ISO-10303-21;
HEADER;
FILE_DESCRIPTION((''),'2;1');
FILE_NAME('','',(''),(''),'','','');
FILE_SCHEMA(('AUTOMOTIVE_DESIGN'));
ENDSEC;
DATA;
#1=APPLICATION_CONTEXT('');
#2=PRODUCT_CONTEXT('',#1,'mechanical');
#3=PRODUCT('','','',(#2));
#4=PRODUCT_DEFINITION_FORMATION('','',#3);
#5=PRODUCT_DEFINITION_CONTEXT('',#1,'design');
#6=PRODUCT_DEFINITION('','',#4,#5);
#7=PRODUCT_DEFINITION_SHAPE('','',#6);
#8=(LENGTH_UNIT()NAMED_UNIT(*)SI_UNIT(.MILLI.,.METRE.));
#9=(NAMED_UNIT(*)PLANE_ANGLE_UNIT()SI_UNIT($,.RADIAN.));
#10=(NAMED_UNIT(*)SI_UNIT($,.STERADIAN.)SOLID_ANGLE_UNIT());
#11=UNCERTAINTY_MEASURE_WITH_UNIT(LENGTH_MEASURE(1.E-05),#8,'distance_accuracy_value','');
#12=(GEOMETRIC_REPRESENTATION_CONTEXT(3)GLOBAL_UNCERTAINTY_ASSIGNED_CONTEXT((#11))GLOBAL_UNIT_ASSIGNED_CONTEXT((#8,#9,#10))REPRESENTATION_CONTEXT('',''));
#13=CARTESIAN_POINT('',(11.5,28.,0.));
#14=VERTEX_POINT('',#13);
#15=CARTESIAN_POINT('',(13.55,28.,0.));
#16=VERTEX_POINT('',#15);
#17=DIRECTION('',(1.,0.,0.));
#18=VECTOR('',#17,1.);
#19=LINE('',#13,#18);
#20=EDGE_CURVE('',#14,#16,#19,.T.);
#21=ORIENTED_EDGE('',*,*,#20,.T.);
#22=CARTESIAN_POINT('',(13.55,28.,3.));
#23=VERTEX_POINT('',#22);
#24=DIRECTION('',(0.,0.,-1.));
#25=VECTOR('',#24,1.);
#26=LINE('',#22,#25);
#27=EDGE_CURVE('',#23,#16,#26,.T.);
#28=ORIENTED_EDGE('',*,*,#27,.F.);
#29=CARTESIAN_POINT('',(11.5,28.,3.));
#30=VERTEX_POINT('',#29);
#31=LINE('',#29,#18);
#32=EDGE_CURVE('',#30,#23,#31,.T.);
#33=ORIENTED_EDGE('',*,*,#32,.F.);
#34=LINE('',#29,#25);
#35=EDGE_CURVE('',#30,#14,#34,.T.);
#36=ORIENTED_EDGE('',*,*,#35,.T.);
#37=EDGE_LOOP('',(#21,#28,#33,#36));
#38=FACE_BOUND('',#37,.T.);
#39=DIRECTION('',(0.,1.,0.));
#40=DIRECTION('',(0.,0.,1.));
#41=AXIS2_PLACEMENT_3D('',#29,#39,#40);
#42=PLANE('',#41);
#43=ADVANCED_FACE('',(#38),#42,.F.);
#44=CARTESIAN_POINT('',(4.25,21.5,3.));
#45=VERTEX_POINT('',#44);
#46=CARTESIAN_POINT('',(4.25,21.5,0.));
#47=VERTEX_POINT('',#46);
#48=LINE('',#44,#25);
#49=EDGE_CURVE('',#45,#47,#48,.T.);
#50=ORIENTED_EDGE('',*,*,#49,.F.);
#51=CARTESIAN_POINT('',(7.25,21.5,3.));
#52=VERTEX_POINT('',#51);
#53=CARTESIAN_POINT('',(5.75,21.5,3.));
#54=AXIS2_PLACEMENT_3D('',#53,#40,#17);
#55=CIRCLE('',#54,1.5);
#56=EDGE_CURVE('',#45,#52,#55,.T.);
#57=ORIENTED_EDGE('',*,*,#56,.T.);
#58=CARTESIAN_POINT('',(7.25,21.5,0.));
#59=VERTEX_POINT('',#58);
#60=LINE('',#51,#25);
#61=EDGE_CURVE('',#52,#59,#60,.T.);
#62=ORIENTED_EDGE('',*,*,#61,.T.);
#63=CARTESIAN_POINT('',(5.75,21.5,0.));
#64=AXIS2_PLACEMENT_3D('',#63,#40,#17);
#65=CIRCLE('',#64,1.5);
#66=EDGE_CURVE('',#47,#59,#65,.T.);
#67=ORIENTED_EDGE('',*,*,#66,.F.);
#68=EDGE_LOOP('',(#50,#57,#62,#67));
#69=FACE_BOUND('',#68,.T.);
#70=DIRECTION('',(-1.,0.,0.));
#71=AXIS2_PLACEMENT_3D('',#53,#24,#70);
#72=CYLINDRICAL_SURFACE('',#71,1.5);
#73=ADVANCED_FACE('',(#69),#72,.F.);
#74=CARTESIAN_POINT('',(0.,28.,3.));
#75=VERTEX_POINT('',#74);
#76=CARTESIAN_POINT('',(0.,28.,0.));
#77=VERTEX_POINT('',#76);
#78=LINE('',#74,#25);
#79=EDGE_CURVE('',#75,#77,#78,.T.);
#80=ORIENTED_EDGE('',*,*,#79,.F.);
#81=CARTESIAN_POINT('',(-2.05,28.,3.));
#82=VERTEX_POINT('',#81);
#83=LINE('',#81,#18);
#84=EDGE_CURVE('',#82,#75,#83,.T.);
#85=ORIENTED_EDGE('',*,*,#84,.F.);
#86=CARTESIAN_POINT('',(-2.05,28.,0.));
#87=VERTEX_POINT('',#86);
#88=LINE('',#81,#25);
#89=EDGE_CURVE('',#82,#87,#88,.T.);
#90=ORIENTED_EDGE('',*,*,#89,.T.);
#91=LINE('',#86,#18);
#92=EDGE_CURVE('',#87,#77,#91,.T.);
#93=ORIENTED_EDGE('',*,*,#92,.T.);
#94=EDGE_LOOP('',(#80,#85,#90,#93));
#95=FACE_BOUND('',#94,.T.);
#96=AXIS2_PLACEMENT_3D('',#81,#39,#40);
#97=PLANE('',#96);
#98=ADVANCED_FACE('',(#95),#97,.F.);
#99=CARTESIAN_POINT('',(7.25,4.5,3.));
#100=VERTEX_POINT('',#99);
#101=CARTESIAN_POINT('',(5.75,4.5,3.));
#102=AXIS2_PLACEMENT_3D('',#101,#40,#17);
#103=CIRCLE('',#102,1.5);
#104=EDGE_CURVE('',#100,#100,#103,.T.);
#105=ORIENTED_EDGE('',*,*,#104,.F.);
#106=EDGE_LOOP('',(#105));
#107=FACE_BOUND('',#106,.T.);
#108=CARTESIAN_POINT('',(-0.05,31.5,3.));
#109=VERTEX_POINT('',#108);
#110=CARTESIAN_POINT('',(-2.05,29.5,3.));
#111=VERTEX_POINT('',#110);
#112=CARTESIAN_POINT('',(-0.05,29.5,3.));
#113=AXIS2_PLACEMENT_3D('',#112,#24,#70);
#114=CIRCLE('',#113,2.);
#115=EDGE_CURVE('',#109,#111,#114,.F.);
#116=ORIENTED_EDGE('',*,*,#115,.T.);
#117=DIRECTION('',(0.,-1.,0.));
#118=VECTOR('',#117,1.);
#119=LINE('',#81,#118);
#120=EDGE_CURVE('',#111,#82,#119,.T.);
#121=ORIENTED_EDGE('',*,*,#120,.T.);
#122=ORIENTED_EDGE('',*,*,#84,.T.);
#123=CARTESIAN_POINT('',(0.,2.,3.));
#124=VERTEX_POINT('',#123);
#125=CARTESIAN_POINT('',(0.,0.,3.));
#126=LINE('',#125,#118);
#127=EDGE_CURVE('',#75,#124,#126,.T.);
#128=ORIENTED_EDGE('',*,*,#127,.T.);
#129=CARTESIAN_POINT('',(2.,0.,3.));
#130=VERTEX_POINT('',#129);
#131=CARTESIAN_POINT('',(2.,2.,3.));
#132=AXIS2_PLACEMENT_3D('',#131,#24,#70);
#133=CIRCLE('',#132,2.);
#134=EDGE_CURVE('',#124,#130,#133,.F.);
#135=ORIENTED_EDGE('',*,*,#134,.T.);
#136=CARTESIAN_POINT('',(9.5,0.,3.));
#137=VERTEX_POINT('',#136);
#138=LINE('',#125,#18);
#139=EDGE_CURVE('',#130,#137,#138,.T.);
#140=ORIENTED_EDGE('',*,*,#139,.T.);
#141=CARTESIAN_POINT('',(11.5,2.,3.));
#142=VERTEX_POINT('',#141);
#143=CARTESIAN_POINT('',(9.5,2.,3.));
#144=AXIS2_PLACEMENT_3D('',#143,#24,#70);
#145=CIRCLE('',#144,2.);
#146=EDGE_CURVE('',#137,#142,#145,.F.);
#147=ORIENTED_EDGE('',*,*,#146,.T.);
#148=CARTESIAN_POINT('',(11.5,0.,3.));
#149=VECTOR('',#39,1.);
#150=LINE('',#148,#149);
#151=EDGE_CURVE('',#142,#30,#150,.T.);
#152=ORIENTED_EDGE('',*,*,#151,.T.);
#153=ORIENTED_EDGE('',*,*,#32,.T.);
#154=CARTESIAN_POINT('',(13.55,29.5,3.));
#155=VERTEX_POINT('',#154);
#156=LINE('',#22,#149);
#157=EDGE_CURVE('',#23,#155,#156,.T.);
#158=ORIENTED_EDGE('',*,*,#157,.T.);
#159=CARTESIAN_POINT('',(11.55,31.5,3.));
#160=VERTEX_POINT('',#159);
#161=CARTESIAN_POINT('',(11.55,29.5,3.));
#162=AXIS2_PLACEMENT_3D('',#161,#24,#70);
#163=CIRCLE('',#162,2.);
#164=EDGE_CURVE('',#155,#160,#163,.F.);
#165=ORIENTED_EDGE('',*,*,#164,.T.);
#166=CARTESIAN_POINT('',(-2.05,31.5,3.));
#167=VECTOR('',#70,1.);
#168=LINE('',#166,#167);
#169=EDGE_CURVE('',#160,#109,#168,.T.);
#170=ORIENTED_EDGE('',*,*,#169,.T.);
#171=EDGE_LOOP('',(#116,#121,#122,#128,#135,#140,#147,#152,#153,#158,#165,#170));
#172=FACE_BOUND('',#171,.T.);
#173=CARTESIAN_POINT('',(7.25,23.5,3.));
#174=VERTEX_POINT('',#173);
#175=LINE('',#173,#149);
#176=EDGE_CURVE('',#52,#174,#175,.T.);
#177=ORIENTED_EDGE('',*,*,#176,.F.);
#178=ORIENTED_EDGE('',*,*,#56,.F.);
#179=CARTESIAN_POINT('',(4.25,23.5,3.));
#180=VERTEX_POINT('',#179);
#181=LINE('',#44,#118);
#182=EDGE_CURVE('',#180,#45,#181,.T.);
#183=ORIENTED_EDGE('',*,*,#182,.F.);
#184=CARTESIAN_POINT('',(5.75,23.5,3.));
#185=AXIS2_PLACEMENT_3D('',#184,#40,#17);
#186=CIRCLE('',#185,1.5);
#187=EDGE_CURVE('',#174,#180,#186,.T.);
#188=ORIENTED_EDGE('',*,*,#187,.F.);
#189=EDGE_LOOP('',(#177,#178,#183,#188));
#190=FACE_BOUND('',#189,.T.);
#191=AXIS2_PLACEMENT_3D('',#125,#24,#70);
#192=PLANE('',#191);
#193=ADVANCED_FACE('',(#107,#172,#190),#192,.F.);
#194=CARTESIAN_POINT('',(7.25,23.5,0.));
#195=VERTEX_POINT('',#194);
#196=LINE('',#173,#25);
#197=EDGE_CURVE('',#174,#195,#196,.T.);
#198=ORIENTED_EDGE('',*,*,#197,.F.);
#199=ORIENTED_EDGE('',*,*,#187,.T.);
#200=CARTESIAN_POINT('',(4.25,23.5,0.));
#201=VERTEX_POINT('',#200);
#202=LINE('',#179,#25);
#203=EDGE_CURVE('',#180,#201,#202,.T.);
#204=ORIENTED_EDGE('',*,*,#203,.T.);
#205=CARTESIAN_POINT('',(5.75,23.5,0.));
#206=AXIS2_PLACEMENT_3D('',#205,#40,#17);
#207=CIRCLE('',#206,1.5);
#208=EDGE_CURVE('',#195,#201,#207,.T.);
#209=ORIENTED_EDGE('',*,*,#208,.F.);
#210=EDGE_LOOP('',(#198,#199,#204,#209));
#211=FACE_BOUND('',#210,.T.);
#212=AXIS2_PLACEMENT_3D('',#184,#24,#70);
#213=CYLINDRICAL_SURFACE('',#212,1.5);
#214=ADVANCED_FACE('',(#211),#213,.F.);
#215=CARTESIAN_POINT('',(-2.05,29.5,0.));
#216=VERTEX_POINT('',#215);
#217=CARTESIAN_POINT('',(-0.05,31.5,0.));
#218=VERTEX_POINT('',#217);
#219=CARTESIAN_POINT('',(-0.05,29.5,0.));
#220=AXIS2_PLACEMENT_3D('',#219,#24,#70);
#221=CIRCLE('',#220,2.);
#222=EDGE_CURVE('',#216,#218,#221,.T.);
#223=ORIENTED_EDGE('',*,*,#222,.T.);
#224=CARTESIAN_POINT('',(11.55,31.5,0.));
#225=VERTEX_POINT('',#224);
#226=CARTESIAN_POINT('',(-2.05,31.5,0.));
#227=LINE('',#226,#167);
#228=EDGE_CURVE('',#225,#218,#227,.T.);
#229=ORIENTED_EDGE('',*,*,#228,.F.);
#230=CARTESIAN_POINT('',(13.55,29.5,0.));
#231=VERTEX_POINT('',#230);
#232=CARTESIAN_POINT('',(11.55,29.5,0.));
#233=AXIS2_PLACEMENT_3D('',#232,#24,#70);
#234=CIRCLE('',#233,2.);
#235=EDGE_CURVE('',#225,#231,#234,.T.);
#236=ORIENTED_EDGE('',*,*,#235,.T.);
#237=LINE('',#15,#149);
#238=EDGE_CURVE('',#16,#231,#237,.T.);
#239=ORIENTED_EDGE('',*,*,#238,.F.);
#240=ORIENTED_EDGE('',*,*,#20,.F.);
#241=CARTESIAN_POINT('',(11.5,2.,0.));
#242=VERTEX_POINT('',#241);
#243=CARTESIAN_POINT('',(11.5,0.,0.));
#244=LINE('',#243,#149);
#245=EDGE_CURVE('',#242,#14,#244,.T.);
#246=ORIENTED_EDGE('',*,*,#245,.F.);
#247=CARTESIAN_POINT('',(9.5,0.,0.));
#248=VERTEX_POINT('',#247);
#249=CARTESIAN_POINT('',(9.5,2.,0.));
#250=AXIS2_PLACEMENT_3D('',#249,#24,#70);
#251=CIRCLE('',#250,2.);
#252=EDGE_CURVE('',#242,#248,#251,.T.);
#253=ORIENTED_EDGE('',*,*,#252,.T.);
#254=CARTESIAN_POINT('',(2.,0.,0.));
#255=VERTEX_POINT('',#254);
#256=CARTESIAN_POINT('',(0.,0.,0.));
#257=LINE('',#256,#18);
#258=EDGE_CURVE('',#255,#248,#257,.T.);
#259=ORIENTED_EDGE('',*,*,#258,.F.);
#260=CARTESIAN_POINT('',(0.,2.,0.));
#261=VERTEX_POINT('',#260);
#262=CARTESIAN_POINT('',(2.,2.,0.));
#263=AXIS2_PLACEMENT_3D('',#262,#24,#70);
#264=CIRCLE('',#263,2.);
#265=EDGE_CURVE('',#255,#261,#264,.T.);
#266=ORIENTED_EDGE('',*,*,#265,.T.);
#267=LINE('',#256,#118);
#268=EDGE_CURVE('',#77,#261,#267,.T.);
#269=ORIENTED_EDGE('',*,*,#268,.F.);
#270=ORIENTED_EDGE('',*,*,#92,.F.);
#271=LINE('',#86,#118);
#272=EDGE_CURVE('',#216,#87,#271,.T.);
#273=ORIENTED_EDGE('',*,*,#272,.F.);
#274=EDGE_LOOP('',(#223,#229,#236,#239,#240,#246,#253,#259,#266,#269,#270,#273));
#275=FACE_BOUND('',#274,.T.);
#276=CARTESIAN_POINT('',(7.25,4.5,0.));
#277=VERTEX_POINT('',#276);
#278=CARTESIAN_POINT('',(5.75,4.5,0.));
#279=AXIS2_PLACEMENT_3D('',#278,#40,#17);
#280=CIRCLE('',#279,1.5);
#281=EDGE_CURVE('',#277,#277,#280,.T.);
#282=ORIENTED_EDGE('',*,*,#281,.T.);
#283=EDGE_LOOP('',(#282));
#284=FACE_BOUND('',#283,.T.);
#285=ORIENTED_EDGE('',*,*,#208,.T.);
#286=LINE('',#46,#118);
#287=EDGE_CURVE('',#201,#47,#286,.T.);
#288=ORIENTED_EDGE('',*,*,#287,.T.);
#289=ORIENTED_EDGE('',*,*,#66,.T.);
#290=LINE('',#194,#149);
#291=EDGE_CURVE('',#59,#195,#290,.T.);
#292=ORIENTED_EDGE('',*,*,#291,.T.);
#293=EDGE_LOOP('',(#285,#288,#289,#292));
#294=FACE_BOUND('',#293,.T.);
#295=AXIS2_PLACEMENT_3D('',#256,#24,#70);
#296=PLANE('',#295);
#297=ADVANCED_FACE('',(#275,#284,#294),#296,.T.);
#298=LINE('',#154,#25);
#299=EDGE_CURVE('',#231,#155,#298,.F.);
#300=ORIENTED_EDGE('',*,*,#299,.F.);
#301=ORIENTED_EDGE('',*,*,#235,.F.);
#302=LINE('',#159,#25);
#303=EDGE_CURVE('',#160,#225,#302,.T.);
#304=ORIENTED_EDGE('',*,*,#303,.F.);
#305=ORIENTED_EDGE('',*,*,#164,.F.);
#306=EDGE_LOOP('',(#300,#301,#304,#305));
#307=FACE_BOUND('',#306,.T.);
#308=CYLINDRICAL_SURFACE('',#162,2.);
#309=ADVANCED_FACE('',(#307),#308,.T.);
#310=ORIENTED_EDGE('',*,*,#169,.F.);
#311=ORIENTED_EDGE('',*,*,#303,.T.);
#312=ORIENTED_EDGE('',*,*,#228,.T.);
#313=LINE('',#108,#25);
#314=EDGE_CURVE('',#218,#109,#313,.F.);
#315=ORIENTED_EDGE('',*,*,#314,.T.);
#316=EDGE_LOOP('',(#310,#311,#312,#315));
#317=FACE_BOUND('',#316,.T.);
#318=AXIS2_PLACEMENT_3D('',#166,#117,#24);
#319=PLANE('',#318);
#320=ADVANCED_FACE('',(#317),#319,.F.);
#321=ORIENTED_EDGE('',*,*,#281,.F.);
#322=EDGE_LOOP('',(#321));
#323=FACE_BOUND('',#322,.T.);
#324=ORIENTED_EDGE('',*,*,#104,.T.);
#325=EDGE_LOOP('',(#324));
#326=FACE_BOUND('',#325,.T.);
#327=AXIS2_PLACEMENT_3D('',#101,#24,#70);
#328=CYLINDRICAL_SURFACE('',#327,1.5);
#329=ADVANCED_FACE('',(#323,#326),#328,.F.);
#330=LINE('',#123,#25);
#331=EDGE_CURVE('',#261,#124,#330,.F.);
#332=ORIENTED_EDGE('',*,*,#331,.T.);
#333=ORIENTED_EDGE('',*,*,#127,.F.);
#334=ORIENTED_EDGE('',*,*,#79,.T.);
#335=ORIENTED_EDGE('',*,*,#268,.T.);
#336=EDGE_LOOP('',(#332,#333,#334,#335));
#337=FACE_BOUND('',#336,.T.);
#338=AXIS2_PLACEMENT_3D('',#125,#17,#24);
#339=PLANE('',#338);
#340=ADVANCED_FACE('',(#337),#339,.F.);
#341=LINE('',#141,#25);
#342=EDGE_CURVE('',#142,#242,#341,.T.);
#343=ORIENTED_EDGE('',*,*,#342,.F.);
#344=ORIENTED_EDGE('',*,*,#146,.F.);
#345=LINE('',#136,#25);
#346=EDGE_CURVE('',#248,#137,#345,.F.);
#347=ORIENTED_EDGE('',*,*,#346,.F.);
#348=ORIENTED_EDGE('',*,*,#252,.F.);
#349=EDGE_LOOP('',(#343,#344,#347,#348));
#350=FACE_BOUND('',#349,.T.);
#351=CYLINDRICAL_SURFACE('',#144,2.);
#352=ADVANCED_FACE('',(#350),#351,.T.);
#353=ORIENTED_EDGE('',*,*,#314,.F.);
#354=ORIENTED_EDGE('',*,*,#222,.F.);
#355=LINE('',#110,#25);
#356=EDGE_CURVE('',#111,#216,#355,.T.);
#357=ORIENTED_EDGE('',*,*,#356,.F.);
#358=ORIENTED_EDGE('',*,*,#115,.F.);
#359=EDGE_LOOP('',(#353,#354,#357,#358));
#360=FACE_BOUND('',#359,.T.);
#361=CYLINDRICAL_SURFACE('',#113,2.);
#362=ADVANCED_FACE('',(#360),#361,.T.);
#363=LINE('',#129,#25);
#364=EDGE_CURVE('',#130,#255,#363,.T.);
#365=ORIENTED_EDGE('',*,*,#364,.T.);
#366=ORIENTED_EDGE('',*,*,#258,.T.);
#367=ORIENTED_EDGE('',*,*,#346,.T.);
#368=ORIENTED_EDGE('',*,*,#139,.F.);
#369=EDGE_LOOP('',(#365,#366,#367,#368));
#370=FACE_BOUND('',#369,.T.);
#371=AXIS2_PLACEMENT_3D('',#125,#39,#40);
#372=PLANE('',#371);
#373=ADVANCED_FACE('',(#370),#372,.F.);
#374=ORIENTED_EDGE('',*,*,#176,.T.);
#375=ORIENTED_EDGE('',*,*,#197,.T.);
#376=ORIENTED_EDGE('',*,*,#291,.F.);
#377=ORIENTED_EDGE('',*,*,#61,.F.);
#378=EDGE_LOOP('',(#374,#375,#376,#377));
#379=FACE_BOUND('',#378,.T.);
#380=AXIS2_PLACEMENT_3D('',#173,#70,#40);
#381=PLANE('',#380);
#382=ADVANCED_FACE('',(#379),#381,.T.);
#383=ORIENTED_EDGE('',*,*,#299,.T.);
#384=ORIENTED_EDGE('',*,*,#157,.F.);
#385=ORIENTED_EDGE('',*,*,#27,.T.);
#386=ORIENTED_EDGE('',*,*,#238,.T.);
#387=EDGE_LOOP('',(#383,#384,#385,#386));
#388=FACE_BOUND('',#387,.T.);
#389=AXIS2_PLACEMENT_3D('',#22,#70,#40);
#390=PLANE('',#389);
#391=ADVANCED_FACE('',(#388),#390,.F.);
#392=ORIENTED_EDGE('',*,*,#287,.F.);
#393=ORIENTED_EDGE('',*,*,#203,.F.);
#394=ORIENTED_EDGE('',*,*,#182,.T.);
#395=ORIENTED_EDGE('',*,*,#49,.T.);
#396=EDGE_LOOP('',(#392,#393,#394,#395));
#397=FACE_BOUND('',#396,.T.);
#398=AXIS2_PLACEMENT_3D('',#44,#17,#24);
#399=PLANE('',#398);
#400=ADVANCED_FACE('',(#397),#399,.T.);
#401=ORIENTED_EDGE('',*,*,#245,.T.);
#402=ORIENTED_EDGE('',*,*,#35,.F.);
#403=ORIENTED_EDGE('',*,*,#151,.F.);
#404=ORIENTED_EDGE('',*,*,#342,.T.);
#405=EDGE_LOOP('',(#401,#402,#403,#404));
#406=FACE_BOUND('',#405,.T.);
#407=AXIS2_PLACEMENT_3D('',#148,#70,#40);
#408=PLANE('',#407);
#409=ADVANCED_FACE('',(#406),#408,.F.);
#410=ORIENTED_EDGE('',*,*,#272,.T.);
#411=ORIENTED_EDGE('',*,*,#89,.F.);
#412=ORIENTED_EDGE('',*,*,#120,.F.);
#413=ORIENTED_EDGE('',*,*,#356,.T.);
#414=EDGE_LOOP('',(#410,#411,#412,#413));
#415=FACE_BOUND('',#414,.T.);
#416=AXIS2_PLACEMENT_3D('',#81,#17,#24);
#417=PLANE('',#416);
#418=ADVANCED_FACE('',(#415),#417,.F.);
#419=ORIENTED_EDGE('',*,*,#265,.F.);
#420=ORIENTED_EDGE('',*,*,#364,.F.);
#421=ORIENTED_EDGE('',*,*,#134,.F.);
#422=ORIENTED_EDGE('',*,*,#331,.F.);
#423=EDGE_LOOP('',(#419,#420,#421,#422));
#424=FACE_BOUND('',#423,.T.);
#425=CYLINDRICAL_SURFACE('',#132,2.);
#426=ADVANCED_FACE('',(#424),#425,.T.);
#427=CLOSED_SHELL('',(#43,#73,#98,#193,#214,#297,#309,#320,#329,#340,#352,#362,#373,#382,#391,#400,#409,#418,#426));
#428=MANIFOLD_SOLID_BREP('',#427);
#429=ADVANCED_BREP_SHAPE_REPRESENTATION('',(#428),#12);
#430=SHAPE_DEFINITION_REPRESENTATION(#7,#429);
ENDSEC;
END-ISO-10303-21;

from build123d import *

# Parameters (mm, degrees)
ESBO_O1_R                = 1.5
RESSALTO_EXTRUS_O1_DEPTH = 3
FILETE1_R                = 2
FILETE2_R                = 2


with BuildPart() as part:
    # Esboço1 → Ressalto-extrusão1 (new body)
    with BuildSketch(Plane.XY):
        Polygon((11.5, 28), (13.55, 28), (13.55, 31.5), (-2.05, 31.5), (-2.05, 28), (0, 28), (0, 0), (11.5, 0), align=None)
        with Locations((5.75, 4.5)):
            Circle(ESBO_O1_R, mode=Mode.SUBTRACT)
        with BuildLine():
            Line((4.25, 21.5), (4.25, 23.5))
            ThreePointArc((4.25, 23.5), (5.75, 25), (7.25, 23.5))
            Line((7.25, 23.5), (7.25, 21.5))
            ThreePointArc((7.25, 21.5), (5.75, 20), (4.25, 21.5))
        make_face(mode=Mode.SUBTRACT)
    extrude(amount=RESSALTO_EXTRUS_O1_DEPTH)

    # Filete1
    filete1_edges = [part.edges().sort_by_distance(p)[0] for p in [
        (-2.05, 31.5, 1.5),
        (13.55, 31.5, 1.5),
    ]]
    fillet(filete1_edges, radius=FILETE1_R)

    # Filete2
    filete2_edges = [part.edges().sort_by_distance(p)[0] for p in [
        (11.5, 0, 1.5),
        (0, 0, 1.5),
    ]]
    fillet(filete2_edges, radius=FILETE2_R)


solid = part.part
